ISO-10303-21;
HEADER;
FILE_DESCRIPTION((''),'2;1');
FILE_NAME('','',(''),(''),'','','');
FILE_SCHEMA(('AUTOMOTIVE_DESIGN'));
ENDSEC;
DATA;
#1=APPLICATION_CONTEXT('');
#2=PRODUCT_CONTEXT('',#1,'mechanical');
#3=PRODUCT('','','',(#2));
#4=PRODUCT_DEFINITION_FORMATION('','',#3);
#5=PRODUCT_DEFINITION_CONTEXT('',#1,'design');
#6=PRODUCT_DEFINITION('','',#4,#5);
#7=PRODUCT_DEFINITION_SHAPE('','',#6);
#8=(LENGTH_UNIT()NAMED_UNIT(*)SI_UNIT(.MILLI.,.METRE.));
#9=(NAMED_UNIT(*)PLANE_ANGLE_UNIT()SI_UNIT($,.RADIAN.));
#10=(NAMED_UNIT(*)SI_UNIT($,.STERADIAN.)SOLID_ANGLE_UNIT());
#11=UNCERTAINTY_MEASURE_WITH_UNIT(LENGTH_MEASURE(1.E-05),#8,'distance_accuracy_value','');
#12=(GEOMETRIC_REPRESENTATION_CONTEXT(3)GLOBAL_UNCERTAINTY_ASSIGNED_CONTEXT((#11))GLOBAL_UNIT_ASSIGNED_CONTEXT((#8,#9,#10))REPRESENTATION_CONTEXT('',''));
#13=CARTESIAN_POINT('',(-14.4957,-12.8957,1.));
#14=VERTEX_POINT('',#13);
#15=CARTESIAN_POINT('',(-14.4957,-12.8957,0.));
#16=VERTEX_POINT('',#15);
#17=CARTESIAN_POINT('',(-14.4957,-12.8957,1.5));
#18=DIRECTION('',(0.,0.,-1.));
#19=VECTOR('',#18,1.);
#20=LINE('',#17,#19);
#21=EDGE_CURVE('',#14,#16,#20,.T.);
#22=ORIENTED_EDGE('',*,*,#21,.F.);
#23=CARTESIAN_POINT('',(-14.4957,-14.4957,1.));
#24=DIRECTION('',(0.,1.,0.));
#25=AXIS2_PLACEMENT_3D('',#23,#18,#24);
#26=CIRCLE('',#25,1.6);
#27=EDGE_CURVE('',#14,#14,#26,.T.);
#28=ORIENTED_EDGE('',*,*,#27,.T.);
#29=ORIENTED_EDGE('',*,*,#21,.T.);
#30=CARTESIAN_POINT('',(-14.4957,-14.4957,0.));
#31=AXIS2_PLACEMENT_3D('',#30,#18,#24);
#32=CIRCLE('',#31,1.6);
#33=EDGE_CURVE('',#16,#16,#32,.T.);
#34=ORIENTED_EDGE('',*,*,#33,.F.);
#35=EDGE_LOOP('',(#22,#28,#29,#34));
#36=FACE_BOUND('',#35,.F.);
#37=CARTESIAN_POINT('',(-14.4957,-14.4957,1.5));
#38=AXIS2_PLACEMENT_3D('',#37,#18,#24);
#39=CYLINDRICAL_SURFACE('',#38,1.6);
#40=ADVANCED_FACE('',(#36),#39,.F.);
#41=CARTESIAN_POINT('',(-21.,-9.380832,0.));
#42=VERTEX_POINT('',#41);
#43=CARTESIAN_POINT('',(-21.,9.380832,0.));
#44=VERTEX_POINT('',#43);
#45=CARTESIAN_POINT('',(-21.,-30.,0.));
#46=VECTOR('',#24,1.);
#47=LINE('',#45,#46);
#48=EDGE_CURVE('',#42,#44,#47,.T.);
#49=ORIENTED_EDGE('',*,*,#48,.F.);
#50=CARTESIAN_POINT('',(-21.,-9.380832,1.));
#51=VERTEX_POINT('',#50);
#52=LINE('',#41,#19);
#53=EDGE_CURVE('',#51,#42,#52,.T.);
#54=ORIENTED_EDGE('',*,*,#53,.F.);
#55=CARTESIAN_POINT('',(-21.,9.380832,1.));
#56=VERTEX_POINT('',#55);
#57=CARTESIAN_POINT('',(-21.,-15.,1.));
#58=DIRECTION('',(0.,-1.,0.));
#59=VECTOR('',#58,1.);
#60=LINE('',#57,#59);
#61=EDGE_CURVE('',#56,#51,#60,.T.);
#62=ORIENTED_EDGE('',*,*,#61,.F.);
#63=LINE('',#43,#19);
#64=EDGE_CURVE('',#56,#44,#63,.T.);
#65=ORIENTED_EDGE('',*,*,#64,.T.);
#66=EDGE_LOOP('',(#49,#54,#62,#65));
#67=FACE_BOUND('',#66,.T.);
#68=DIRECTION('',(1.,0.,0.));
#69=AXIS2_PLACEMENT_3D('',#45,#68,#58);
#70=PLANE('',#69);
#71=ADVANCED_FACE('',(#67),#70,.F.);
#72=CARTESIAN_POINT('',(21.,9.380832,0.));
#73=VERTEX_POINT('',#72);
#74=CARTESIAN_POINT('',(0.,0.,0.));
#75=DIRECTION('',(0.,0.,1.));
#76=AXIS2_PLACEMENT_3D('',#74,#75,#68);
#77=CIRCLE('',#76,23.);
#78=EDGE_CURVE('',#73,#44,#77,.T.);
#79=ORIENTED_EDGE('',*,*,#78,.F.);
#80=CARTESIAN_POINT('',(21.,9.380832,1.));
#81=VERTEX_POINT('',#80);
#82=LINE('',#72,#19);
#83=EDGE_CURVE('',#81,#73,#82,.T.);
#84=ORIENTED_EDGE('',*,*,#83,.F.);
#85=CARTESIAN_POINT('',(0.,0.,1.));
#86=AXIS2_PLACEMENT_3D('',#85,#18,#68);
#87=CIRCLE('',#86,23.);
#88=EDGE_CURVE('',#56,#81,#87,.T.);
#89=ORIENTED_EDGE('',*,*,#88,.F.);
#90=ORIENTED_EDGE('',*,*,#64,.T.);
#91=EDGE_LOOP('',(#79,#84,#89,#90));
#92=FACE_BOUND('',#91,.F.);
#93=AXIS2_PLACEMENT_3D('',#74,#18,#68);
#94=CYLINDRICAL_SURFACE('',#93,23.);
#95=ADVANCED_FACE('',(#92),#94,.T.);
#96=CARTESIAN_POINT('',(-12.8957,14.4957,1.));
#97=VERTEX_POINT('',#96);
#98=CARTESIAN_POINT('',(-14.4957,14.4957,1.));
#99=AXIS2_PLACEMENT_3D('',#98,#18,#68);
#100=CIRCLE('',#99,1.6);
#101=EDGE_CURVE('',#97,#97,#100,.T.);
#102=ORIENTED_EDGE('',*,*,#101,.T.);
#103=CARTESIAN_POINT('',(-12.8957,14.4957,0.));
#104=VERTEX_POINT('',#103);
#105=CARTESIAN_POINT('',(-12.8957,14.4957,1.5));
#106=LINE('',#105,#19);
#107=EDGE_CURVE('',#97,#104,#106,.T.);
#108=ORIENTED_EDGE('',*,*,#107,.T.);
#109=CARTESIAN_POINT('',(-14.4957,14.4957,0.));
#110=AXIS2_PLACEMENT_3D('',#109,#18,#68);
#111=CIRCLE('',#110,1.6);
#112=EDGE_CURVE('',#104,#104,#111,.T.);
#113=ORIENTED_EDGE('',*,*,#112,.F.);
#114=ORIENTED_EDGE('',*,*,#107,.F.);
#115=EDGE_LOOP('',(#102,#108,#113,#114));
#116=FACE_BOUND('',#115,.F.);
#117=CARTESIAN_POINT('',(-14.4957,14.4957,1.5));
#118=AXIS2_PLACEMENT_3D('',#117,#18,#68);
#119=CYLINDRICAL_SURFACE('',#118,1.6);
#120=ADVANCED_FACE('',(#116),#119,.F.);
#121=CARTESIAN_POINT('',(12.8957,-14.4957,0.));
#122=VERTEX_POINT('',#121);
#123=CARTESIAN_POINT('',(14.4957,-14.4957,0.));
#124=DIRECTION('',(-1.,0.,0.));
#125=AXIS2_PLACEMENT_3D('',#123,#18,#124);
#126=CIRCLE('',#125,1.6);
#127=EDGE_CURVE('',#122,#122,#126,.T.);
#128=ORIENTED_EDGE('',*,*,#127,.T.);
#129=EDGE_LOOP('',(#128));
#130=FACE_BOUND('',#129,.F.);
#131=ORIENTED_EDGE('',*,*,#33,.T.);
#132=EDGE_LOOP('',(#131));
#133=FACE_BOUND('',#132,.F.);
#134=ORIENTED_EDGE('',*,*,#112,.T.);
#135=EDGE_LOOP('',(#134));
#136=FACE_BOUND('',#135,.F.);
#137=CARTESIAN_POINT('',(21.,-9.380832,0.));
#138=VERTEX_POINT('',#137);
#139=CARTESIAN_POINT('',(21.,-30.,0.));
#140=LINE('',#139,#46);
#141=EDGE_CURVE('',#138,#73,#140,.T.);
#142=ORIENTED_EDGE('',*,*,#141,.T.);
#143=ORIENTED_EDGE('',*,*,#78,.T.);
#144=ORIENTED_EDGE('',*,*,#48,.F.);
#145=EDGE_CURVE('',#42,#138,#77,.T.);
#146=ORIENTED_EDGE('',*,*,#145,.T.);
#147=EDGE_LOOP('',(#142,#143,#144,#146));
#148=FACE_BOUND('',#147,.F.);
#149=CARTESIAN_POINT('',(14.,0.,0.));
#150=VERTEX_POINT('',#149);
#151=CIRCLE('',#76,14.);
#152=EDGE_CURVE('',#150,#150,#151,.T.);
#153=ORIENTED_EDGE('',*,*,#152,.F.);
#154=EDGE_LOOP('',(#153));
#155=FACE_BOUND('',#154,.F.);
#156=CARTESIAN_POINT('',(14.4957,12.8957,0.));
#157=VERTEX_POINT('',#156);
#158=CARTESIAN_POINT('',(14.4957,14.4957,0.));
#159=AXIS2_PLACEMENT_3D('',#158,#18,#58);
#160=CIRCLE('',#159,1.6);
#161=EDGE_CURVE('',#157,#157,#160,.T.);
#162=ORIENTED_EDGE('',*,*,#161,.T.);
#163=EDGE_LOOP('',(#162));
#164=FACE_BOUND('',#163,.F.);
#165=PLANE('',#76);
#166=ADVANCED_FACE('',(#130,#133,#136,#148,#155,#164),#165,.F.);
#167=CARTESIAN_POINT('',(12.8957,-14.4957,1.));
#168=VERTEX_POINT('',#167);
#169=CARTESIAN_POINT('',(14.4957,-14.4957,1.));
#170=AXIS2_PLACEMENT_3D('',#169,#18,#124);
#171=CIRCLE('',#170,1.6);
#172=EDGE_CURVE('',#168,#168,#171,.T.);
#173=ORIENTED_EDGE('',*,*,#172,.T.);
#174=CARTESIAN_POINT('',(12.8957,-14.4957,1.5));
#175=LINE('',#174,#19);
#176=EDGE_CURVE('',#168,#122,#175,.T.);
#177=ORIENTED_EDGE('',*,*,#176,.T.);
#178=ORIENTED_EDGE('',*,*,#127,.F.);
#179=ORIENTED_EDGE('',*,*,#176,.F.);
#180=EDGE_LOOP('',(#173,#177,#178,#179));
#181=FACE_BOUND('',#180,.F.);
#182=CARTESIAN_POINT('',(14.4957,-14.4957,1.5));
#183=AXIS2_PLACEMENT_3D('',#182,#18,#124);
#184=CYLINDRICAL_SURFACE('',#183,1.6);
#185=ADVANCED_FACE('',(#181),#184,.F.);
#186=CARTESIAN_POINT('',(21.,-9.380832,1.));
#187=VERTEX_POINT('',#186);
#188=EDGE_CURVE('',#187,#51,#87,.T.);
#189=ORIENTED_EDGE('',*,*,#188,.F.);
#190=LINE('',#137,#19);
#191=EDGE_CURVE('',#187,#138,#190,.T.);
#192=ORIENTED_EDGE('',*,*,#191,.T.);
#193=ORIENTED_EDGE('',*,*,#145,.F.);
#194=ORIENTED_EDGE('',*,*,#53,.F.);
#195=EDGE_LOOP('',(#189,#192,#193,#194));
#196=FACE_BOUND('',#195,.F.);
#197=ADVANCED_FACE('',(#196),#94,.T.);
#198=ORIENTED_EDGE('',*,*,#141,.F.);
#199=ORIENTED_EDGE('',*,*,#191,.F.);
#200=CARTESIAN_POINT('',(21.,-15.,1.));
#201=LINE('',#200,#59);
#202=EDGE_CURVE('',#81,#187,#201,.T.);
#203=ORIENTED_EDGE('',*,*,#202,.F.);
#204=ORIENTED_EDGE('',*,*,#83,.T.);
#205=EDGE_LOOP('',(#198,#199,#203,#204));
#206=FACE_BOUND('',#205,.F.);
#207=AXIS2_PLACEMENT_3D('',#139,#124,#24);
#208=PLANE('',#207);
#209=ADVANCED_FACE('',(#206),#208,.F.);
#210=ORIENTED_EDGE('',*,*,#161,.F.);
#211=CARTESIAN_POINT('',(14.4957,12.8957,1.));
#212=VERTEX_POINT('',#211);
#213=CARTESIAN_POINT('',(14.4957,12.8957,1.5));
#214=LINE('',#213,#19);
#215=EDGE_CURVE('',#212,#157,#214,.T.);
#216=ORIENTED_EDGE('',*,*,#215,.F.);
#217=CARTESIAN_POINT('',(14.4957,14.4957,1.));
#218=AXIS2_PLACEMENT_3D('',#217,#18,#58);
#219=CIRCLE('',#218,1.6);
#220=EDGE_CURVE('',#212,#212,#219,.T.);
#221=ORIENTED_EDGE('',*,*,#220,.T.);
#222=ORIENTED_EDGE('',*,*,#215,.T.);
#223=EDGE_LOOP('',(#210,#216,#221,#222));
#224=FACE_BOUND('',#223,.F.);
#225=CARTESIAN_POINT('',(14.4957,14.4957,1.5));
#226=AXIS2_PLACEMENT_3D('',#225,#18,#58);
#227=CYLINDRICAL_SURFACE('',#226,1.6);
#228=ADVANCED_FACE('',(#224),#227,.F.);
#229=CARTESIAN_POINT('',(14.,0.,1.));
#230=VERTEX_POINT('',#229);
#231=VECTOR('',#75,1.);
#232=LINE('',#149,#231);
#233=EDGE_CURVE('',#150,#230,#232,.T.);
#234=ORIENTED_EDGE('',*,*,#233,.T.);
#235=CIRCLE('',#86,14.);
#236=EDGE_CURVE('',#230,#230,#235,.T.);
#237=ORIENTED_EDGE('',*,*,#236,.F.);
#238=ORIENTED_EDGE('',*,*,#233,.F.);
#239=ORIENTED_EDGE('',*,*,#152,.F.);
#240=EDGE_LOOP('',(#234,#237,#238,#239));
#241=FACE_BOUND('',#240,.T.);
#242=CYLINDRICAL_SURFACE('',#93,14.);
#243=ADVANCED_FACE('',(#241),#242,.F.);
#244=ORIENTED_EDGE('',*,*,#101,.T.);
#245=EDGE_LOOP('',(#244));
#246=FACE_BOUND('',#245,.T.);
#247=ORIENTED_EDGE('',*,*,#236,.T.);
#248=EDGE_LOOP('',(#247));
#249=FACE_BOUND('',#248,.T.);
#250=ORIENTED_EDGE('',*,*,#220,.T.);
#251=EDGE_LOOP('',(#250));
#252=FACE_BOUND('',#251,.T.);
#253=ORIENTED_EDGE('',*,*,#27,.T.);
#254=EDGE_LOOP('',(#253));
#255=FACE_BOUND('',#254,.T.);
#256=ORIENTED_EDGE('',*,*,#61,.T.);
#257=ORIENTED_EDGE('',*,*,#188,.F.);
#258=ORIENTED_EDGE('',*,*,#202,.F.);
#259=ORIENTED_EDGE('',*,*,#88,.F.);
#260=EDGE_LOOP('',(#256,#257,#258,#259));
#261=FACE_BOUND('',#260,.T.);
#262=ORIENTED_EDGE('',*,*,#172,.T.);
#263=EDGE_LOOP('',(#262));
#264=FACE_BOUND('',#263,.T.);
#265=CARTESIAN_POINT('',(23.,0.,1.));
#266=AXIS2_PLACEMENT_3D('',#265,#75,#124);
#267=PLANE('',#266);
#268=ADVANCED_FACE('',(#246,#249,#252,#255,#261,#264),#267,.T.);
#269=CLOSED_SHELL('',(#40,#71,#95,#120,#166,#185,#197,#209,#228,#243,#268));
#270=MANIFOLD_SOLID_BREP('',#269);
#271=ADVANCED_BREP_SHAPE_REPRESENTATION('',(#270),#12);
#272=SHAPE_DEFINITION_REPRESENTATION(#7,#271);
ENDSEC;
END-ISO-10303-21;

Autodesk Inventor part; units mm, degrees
ref_plane "YZ Plane" through (0, 0, 0) normal (1, 0, 0) x (0, 1, 0)
ref_plane "XZ Plane" through (0, 0, 0) normal (0, 1, 0) x (-1, 0, 0)
sketch "Sketch1" plane through (0, 0, 0) normal (0, 0, 1) x (1, 0, 0)
  circle A0 centre (0, 0) radius 14
  circle A1 centre (0, 0) radius 23
  dimension "d0" = 28
  dimension "d1" = 46
extrude "Extrusion1" add sketch "Sketch1" along normal blind 10
sketch "Sketch2" plane through (0, 0, 10) normal (0, 0, 1) x (1, 0, 0)
  line L0 (0, 0) -> (23, 0) construction
  circle A0 centre (0, 0) radius 23 projected
  circle A1 centre (0, 0) radius 20.5 construction
  line L1 (0, 0) -> (14.4957, 14.4957) construction
  dimension "d35" = 41
  dimension "d34" = 45
hole "For-m3-screws" at (14.4957, 14.4957, 10) direction (0, 0, -1) diameter 3.2 end through all counterbore diameter 7 counterbore depth 8.5
fillet "Fillet3" radius 0.5 2 edges at (14.3283, 17.9917, 5.75) (17.9917, 14.3283, 5.75)
pattern_circular "Circular Pattern1" count 4 over 360 about axis through (0, 0, 0) along (0, 0, 1) of "For-m3-screws", "Fillet3"
sketch "Sketch3" plane through (0, 0, 0) normal (0, 1, 0) x (-1, 0, 0)
  line L0 (23, 3.8135) -> (-23, 1)
  line L1 (-23, 1) -> (-23, 11)
  line L2 (23, 10) -> (-27, 10) projected
  line L3 (-23, 11) -> (23, 11)
  line L4 (23, 11) -> (23, 3.8135)
  line L5 (-23, 0) -> (-23, 10) projected
  line L6 (23, 0) -> (23, 10) projected
  line L7 (-14, 0) -> (14, 0) projected
  line L8 (-27, 10) -> (-23, 10) projected
  point P0 (0, 0)
  point P1 (-14.3283, 10)
  point P2 (0, 11)
  point P3 (-17.9917, 10)
  dimension "d14" = 3.5
  dimension "d15" = 1
  dimension "d16" = 1
extrude "Angled-cut" [suppressed]
sketch "Sketch6" plane through (0, 0, 0) normal (0, 1, 0) x (-1, 0, 0)
  line L0 (23, 10) -> (-23, 10)
  line L1 (-23, 10) -> (-23, 1)
  line L2 (-23, 1) -> (23, 1)
  line L3 (23, 1) -> (23, 10)
  line L4 (23, 0) -> (-23, 0) projected
  line L5 (23, 0) -> (23, 10) projected
  line L6 (-23, 0) -> (-23, 10) projected
  point P0 (0, 0)
  point P1 (0, 10)
  dimension "d27" = 1
extrude "Straight-cut" cut sketch "Sketch6" along normal through all both and the other way through all contours L3 L2 L1 L0
sketch "Sketch4" plane through (0, 0, 0) normal (0, 0, 1) x (1, 0, 0)
  line L0 (21, 30) -> (26, 30)
  line L1 (26, 30) -> (26, -30)
  line L2 (26, -30) -> (21, -30)
  line L3 (21, -30) -> (21, 30)
  point P0 (0, 0)
  point P1 (26, 0)
  dimension "d19" = 21
  dimension "d20" = 60
  dimension "d21" = 5
extrude "Extrusion3" cut sketch "Sketch4" along normal blind 10
mirror "Mirror1" about plane through (0, 0, 0) normal (1, 0, 0) of "Extrusion3"
ref_plane "Work Plane1" through (22, -12.0416, 0) normal (1, 0, 0) x (0, 0, -1)
sketch "Sketch8" plane through (22, -12.0416, 0) normal (1, 0, 0) x (0, 0, -1)
  line L0 (-0.5, 21.0416) -> (-0.5, 3.0416) construction
  line L1 (-1, 2.6608) -> (-1, 21.4224) projected
  line L2 (0, 21.4224) -> (0, 2.6608) projected
  line L3 (0, 12.0416) -> (-1, 12.0416) construction
  point P0 (-0.5, 12.0416)
  dimension "d41" = 18
hole "Hole2" [suppressed]
chamfer "Chamfer1" [suppressed]
thread "Thread2" size "M2x0.4" class "6H" standard "ANSI Metric M Profile" full length
thread "Thread3" size "M2x0.4" class "6H" standard "ANSI Metric M Profile" full length
thread "Thread4" size "M2x0.4" class "6H" standard "ANSI Metric M Profile" full length
thread "Thread5" size "M2x0.4" class "6H" standard "ANSI Metric M Profile" full length
equation "\"d0\" = innerdiameter"
equation "\"d1\" = outerdiameter"
equation "\"d35\" = holepositiondiameter"
equation "\"d19\" = trimspan"
equation "\"outerdiameter\" = 46"
equation "\"innerdiameter\" = 28"
equation "\"holepositiondiameter\" = 41"
equation "\"trimspan\" = 21"
properties part number "probe-gate-spacer-quartz-holder" material "Stainless Steel"
